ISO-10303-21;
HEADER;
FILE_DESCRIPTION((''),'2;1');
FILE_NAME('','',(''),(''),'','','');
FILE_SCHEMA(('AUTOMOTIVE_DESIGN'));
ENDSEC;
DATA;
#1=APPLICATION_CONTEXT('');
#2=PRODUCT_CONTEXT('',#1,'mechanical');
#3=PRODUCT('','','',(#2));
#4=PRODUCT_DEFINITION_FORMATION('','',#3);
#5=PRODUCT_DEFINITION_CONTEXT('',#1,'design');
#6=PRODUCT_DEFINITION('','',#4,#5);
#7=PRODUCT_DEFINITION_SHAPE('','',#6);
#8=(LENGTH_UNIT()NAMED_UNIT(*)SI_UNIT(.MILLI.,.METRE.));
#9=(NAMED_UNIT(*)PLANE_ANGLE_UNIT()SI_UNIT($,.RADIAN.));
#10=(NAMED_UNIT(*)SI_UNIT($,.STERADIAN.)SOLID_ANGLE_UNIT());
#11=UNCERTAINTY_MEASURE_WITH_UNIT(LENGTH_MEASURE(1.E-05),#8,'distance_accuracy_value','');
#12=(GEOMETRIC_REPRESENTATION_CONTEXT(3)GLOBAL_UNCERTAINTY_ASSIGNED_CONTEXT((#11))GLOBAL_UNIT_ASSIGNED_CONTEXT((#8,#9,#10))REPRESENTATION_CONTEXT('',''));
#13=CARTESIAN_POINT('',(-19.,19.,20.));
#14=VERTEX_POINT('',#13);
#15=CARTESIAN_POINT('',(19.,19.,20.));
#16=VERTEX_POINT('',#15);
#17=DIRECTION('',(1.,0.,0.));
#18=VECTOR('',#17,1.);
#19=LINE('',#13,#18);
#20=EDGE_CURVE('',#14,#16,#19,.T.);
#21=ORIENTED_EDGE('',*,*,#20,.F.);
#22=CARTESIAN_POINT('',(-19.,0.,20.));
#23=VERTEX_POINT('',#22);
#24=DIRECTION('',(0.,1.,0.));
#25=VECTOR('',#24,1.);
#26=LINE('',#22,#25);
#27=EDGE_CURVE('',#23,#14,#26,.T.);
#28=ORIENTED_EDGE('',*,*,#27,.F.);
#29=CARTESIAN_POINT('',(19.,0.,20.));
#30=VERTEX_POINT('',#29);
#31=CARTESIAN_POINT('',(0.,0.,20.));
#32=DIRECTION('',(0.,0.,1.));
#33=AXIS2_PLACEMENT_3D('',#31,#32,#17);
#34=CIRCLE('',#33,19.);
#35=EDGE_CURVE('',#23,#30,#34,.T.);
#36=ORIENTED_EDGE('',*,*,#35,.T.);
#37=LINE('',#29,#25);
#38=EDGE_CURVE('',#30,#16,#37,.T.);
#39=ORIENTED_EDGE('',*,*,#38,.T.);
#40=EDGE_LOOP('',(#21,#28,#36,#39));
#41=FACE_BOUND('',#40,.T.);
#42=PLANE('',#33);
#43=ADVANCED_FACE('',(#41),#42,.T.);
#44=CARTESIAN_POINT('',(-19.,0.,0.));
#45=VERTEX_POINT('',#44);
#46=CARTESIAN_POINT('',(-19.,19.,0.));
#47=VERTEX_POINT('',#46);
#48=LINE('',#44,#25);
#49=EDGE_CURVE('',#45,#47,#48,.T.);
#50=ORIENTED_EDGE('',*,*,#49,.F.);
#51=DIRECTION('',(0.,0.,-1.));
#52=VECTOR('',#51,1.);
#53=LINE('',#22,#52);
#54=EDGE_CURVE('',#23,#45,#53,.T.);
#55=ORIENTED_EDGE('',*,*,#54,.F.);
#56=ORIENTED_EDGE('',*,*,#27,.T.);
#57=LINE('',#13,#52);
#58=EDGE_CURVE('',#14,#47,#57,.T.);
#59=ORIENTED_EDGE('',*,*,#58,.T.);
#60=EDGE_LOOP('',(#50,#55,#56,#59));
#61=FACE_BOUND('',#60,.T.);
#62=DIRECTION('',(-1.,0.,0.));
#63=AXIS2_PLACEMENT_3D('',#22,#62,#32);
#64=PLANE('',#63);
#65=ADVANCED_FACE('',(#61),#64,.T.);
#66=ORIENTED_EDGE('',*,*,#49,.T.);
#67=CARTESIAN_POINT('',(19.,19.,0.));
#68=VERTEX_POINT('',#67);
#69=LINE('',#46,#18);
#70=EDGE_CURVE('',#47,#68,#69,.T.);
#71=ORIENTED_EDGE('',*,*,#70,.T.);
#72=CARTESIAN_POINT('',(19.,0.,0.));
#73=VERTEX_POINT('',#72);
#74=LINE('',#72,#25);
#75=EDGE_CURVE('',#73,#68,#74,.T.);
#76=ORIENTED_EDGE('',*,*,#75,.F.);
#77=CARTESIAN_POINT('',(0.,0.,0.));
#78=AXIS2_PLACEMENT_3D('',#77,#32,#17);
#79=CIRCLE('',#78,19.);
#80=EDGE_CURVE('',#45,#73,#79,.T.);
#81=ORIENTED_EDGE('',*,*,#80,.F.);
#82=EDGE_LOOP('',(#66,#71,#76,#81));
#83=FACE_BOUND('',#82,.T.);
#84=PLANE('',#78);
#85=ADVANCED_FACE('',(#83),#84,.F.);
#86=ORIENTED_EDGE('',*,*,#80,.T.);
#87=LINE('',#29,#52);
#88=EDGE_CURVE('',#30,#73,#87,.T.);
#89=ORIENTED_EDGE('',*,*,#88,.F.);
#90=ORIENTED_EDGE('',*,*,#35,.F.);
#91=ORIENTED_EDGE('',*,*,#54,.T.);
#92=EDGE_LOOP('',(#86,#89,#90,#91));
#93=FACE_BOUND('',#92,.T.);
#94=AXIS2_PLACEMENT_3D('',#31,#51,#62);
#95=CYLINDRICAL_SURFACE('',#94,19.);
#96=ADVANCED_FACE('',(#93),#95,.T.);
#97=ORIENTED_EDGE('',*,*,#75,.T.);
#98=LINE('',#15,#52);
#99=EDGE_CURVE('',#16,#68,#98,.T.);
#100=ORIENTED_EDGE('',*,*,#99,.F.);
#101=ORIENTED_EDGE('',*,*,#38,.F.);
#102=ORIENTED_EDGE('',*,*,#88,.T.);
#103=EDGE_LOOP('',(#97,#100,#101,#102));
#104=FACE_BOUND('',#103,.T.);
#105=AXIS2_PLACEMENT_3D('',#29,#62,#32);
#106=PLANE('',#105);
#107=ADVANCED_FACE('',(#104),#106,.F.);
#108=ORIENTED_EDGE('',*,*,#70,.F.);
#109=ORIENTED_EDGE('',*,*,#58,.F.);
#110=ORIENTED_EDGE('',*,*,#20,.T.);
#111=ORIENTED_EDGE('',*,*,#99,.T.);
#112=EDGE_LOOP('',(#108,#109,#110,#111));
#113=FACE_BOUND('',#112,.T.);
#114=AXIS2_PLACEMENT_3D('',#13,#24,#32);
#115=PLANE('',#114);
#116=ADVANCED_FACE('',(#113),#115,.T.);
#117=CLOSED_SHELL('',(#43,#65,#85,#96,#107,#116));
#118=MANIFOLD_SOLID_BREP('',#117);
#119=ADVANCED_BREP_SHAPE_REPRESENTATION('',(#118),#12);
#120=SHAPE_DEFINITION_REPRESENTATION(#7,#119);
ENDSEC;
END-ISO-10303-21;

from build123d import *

# Parameters (mm, degrees)
BOSS_EXTRUDE1_DEPTH = 20


with BuildPart() as part:
    # Sketch1 → Boss-Extrude1 (new body)
    with BuildSketch(Plane.XY):
        with BuildLine():
            Line((-19, 0), (-19, 19))
            Line((-19, 19), (19, 19))
            Line((19, 19), (19, 0))
            ThreePointArc((19, 0), (0, -19), (-19, 0))
        make_face()
    extrude(amount=BOSS_EXTRUDE1_DEPTH)


solid = part.part
